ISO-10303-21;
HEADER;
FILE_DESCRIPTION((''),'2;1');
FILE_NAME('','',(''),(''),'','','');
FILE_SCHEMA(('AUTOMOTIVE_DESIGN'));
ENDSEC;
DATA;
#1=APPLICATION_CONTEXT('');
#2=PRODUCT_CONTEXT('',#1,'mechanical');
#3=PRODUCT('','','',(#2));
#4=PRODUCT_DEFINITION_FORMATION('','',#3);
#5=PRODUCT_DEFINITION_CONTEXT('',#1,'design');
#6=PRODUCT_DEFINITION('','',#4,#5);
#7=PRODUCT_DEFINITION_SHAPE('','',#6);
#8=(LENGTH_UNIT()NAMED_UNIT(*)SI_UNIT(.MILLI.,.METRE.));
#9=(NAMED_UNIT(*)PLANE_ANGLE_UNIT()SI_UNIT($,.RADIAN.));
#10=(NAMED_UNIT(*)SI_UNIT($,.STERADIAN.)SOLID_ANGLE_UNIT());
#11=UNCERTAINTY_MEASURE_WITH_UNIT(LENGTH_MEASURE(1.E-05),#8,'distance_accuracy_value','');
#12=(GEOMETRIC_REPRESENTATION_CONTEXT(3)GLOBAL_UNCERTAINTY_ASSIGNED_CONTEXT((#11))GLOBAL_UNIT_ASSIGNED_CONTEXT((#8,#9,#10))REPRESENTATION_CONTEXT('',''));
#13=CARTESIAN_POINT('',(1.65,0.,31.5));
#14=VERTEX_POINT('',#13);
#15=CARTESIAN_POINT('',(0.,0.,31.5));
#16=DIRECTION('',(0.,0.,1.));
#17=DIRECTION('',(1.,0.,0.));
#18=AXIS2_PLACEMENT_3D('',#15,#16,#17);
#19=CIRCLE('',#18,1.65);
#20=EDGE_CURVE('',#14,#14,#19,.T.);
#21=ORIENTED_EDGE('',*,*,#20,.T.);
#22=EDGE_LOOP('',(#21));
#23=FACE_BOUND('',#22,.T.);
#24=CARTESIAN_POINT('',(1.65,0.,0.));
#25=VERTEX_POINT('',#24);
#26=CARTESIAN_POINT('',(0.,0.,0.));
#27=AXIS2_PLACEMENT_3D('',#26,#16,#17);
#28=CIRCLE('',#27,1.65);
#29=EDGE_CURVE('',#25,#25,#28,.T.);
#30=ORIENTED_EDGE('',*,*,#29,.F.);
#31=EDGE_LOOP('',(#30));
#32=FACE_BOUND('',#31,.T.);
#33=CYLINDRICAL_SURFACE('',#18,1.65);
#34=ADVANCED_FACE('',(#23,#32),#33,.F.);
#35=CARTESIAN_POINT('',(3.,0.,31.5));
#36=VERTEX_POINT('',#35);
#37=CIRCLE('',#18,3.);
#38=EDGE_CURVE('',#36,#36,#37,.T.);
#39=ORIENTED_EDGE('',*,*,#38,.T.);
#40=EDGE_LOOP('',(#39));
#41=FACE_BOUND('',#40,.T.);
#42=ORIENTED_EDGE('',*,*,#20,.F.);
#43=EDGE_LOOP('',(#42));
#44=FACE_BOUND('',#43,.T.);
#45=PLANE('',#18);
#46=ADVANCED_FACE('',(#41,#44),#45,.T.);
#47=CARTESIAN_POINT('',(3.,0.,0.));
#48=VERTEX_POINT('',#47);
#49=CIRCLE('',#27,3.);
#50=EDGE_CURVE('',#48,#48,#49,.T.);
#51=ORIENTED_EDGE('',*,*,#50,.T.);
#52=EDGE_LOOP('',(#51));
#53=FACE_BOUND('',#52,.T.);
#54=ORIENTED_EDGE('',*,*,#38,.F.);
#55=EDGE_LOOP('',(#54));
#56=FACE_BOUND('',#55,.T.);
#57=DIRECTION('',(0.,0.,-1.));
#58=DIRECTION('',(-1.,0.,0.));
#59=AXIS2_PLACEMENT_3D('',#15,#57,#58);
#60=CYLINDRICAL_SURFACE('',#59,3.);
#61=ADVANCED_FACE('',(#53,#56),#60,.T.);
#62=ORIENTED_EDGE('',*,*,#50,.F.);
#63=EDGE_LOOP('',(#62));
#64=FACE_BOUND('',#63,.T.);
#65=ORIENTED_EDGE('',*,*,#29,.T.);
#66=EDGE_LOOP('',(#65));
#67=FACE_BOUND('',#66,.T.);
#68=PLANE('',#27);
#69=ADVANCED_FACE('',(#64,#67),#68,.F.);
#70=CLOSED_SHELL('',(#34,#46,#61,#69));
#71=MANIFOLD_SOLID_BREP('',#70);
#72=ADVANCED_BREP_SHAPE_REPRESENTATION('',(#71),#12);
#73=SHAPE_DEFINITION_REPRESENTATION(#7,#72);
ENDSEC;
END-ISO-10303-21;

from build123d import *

# Parameters (mm, degrees)
SKETCH_1_R         = 3
EXTRUDE_1_DEPTH    = 31.5
HOLE_WIZARD_M4_1_D = 3.3


with BuildPart() as part:
    # 草图1 → 凸台-拉伸1 (new body)
    with BuildSketch(Plane.XY):
        Circle(SKETCH_1_R)
    extrude(amount=EXTRUDE_1_DEPTH)

    # M4 螺纹孔1 (through all)
    with Locations(Plane.XY.offset(31.5)):
        with Locations((0, 0)):
            Hole(HOLE_WIZARD_M4_1_D / 2)


solid = part.part
